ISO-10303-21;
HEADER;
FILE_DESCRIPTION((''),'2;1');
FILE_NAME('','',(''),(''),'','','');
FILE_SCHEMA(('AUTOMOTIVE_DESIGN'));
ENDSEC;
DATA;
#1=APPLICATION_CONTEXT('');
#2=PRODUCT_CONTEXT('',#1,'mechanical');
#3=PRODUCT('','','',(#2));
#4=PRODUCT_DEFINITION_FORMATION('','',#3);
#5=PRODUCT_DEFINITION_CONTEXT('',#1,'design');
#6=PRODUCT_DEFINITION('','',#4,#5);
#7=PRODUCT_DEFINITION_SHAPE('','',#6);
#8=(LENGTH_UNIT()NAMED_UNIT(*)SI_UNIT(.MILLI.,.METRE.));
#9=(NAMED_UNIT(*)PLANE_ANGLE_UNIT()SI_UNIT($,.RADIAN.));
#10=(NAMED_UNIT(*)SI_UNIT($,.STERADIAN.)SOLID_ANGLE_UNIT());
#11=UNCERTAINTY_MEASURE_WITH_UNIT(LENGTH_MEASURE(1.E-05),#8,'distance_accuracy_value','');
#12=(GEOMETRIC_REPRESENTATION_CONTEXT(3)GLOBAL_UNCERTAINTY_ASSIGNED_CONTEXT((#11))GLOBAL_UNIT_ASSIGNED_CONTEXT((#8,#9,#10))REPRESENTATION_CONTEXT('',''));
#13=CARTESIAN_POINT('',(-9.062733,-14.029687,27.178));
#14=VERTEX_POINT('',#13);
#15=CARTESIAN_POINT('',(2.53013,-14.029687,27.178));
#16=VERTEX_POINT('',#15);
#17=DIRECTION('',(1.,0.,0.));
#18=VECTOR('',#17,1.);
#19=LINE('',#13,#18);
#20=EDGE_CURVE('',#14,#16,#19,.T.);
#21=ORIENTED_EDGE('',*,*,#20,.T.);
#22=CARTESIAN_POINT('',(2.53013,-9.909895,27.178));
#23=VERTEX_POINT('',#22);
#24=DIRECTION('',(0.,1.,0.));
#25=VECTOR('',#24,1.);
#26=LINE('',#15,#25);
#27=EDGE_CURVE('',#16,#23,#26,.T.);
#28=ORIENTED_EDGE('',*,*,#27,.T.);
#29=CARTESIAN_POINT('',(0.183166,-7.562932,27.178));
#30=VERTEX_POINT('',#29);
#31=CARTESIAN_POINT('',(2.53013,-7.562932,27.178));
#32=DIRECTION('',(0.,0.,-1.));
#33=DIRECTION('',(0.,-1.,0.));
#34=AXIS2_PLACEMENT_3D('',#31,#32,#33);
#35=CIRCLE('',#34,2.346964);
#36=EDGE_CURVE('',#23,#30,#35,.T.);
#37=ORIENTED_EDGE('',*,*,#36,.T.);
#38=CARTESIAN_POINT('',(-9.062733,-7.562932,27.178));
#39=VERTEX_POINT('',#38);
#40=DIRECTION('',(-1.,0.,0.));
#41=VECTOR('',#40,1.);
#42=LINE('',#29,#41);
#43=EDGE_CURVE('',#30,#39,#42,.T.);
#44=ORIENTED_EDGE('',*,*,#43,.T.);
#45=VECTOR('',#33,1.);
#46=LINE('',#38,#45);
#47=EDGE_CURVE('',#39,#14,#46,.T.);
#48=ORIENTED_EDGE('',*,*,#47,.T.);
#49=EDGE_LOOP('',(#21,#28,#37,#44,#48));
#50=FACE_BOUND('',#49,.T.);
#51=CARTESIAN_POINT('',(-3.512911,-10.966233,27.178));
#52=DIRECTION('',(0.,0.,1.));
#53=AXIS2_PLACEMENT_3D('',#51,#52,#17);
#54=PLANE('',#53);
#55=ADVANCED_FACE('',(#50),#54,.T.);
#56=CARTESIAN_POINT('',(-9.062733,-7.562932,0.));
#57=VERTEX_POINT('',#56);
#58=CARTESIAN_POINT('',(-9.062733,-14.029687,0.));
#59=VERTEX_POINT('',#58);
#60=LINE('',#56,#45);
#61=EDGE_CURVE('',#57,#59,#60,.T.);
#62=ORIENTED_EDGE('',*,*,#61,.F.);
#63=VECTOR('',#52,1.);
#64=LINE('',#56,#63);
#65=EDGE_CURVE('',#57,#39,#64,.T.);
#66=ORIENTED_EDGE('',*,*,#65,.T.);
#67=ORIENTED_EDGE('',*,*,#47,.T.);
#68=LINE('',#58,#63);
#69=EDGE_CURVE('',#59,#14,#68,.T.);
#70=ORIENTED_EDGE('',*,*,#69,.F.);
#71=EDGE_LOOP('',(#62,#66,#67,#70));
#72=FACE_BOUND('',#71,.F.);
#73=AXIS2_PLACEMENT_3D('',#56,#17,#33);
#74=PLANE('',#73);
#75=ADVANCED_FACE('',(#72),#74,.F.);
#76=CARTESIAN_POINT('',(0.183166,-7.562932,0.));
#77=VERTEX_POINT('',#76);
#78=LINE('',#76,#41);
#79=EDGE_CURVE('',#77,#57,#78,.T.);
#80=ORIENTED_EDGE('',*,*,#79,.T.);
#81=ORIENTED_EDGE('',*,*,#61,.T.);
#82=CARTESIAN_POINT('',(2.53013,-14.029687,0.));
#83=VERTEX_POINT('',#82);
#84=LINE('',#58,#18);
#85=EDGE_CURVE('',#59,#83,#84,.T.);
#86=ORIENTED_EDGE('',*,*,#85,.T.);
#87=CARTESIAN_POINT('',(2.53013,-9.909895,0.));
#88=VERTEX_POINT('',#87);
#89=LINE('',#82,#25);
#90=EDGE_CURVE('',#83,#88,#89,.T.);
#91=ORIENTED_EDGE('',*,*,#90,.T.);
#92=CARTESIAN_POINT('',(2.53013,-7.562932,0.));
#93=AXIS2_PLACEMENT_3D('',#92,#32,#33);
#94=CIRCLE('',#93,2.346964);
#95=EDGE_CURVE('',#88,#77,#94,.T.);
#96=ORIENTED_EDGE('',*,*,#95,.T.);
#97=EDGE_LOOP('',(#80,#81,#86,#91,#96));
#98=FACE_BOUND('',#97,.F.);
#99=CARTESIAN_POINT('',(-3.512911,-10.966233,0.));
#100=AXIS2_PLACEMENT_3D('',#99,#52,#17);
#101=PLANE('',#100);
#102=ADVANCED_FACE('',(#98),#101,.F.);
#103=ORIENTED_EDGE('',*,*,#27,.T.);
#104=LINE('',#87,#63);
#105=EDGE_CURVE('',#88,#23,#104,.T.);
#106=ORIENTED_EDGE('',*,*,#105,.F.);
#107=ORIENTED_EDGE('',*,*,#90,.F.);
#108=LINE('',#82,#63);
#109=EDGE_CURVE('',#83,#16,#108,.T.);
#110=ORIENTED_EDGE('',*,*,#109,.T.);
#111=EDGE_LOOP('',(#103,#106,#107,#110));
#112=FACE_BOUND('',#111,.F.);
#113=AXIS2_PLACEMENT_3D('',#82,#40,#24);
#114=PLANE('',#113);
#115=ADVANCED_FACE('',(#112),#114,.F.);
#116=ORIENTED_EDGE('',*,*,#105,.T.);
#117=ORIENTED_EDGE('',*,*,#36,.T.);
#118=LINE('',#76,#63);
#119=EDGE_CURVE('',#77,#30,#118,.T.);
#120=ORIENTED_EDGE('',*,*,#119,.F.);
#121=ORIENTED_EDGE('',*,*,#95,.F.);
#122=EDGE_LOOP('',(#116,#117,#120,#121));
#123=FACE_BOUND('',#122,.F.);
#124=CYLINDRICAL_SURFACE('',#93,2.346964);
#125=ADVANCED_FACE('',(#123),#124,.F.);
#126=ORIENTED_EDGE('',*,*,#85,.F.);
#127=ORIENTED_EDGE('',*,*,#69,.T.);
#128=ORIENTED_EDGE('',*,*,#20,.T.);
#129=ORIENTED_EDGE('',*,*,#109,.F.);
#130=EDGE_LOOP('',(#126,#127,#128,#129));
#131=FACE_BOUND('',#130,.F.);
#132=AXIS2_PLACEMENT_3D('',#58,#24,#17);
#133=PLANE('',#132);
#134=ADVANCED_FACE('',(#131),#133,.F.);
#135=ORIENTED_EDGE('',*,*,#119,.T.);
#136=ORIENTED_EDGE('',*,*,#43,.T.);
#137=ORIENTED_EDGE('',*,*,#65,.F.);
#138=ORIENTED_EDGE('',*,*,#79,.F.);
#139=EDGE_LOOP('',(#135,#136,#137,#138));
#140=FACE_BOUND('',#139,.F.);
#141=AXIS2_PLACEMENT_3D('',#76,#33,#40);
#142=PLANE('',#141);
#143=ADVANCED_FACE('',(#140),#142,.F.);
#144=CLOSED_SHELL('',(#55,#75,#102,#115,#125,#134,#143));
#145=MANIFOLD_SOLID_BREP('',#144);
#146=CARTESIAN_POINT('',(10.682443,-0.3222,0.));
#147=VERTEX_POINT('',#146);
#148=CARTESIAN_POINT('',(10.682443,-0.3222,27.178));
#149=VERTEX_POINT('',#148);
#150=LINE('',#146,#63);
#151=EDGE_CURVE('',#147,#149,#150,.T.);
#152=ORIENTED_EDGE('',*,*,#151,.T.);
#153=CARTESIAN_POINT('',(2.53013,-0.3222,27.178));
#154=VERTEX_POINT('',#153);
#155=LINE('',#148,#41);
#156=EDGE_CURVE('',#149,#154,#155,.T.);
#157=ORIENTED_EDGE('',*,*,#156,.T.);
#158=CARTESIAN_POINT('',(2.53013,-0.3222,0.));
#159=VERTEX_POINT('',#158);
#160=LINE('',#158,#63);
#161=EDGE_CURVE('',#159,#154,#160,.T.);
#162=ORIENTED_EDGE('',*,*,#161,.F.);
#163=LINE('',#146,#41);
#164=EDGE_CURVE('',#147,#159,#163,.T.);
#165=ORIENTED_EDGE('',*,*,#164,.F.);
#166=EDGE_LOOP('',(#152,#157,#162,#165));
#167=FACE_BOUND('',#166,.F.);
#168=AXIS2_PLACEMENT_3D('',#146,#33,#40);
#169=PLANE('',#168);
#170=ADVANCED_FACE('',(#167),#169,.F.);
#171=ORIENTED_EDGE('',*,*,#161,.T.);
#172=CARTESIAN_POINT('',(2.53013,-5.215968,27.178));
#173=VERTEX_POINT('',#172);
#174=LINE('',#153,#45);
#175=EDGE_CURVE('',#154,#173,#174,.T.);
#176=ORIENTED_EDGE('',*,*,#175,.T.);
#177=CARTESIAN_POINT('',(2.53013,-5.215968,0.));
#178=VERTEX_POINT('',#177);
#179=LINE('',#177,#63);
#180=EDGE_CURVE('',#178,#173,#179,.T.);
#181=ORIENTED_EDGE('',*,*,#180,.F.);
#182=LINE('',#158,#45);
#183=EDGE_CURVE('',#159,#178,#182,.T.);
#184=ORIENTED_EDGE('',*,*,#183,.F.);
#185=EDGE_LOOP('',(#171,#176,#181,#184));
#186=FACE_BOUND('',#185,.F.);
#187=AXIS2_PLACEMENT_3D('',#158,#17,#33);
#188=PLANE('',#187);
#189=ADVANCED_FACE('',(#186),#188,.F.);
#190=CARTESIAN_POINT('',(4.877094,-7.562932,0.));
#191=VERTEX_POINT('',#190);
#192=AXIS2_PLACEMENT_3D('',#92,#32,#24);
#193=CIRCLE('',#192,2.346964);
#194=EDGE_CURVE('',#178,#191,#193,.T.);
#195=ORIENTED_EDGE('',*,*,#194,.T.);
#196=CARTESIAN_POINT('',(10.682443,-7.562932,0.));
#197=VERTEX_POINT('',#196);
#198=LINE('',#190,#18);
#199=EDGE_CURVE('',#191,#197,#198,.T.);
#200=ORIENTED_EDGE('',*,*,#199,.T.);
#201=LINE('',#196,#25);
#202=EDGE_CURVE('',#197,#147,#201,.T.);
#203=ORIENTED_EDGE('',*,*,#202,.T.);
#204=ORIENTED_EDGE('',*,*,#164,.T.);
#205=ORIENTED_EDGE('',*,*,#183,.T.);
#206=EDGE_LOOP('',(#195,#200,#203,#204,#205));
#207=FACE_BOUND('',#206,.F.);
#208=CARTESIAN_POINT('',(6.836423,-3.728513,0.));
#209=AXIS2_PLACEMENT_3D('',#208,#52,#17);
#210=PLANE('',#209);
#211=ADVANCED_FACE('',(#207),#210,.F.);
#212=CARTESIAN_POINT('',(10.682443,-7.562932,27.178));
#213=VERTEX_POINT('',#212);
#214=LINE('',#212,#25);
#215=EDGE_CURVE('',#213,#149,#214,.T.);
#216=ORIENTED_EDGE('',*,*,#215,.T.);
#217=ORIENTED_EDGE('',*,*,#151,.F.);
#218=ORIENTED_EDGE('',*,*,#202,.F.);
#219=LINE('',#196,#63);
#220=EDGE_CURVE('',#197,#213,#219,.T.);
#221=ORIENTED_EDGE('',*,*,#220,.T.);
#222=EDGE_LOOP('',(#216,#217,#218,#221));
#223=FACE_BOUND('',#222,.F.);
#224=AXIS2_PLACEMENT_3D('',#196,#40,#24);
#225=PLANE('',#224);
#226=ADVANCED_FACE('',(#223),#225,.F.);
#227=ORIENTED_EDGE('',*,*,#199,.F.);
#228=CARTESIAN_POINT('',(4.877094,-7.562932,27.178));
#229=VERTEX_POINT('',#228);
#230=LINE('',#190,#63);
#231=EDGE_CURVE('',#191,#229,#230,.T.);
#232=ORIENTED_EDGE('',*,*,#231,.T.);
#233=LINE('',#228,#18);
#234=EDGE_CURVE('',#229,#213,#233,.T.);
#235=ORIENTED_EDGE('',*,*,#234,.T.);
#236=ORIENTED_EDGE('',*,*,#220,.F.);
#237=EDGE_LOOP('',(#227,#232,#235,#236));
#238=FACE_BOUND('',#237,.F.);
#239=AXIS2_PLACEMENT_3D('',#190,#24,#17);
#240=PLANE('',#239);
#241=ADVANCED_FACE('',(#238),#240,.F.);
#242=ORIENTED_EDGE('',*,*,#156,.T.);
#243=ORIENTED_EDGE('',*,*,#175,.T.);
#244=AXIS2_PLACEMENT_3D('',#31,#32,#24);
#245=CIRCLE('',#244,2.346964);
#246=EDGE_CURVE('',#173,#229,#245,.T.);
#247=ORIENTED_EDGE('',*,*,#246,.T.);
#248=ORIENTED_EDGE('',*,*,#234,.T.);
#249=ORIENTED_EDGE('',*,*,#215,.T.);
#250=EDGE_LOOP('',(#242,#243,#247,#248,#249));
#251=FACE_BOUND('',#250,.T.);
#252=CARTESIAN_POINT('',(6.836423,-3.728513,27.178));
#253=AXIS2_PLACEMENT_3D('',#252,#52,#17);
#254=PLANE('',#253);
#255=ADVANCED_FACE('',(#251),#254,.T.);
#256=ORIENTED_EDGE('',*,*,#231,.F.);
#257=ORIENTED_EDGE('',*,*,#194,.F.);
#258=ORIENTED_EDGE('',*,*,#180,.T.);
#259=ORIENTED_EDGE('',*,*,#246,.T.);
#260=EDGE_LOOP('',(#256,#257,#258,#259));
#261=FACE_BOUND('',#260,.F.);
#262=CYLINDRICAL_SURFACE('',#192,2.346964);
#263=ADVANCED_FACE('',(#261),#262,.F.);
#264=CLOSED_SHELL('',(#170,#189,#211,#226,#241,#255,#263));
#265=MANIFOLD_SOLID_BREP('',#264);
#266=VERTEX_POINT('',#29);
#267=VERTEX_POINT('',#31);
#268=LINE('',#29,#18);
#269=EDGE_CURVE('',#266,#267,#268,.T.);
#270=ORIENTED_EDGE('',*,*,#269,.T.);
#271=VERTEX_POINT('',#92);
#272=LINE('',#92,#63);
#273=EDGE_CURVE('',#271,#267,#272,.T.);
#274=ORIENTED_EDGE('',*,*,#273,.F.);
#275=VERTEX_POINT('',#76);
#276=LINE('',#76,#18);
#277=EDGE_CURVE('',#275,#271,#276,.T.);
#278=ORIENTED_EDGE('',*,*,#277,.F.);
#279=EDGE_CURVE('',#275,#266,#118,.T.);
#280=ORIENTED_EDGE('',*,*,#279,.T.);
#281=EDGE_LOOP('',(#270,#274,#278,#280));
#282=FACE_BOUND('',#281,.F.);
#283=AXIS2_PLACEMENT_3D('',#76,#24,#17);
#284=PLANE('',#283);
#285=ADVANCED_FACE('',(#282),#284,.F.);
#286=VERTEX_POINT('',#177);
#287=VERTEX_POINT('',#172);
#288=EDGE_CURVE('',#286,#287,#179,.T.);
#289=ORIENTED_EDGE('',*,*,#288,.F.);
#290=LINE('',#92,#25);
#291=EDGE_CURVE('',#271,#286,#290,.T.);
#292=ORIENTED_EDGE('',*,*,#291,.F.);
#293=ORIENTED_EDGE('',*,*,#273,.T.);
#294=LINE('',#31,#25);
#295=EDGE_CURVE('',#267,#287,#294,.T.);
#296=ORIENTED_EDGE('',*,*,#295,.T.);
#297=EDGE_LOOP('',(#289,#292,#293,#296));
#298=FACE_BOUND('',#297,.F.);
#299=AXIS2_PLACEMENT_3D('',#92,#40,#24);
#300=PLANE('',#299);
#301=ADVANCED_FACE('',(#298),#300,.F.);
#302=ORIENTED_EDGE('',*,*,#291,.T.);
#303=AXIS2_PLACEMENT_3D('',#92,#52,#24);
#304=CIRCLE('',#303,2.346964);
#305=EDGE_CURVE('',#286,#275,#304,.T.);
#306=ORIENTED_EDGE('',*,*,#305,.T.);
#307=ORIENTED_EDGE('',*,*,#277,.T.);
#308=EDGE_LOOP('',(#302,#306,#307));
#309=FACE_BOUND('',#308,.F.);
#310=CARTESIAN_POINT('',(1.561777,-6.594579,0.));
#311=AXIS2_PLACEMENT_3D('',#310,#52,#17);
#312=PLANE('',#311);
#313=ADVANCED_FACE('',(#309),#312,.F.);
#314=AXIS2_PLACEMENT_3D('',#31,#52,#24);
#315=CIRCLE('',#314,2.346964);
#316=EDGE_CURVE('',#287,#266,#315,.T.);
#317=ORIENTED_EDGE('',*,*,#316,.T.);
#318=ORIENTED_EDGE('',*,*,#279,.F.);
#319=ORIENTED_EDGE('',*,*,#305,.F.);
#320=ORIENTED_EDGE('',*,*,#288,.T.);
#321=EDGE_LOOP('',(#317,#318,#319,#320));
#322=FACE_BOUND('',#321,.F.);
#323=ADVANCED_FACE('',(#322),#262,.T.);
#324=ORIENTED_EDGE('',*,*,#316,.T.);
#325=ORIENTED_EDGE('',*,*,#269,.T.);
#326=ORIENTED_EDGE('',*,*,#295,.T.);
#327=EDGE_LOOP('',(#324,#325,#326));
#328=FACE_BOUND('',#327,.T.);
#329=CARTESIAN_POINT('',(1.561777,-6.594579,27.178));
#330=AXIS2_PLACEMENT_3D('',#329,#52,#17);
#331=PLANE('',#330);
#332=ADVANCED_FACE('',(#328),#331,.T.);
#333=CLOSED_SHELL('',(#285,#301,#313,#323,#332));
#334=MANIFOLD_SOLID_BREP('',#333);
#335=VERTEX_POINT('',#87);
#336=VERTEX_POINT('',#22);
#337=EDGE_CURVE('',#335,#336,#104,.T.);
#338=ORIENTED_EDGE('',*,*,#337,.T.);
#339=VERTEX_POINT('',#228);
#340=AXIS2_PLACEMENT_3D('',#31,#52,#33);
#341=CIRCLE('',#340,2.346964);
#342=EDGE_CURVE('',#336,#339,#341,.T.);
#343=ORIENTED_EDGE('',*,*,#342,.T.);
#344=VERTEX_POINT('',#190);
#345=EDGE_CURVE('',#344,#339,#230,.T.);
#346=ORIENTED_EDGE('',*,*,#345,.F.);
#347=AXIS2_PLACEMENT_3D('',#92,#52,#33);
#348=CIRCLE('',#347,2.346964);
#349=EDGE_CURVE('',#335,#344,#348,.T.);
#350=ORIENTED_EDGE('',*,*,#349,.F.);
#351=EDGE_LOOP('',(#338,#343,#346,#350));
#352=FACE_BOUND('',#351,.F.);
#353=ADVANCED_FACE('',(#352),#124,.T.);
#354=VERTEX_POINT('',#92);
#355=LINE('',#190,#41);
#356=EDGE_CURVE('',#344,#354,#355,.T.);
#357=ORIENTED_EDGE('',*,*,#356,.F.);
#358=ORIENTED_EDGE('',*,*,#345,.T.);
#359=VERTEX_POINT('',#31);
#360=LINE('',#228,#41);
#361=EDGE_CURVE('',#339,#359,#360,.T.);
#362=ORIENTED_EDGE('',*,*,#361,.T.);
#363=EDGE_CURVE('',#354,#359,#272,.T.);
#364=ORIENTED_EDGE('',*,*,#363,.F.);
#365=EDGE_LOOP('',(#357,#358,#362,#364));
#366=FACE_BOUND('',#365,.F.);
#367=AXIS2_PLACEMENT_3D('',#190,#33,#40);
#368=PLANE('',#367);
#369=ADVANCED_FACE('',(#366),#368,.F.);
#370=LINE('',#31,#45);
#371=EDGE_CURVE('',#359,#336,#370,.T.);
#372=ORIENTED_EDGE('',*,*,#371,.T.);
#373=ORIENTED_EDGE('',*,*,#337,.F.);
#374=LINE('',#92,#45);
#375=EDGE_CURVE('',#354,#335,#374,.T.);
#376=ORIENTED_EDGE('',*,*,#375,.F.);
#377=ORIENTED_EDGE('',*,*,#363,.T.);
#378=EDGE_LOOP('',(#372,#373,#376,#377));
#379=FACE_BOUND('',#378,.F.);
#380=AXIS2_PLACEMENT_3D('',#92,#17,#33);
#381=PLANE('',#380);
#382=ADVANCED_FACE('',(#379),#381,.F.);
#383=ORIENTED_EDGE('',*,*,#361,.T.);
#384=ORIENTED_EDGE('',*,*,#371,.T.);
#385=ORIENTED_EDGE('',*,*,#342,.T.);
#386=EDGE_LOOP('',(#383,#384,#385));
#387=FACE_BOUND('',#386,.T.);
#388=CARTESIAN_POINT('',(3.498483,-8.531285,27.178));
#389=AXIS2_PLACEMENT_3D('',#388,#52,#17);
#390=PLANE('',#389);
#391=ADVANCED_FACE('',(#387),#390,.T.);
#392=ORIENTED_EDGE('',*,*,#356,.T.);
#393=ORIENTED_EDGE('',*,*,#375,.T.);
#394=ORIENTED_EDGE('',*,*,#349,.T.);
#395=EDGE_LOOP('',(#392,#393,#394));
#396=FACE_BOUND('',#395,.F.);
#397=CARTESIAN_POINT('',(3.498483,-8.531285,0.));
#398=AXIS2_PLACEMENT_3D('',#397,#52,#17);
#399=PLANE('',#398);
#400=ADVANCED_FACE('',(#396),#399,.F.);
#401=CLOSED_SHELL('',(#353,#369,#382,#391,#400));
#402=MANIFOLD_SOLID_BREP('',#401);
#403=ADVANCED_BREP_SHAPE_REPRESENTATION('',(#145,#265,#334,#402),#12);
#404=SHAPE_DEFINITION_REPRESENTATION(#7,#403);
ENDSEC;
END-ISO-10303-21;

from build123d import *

# Parameters (mm, degrees)
F1_DEPTH = 27.178


with BuildPart() as f1:
    # F0 (on Top) → F1 (new body)
    with BuildSketch(Plane.XY):
        with BuildLine():
            Line((2.5301300921, -0.3222003579), (2.5301300921, -5.2159677871))
            ThreePointArc((2.5301300921, -5.2159677871), (4.1896841385, -5.9033775806), (4.877093932, -7.562931627))
            Line((4.877093932, -7.562931627), (10.6824431568, -7.562931627))
            Line((10.6824431568, -7.562931627), (10.6824431568, -0.3222003579))
            Line((10.6824431568, -0.3222003579), (2.5301300921, -0.3222003579))
        make_face()
    extrude(amount=F1_DEPTH)


with BuildPart() as f1b:
    # F0 (on Top) → F1, piece 2 (new body)
    with BuildSketch(Plane.XY):
        with BuildLine():
            Line((0.1831662521, -7.562931627), (-9.0627325699, -7.562931627))
            Line((-9.0627325699, -7.562931627), (-9.0627325699, -14.0296872705))
            Line((-9.0627325699, -14.0296872705), (2.5301300921, -14.0296872705))
            Line((2.5301300921, -14.0296872705), (2.5301300921, -9.909895467))
            ThreePointArc((2.5301300921, -9.909895467), (0.8705760456, -9.2224856734), (0.1831662521, -7.562931627))
        make_face()
    extrude(amount=F1_DEPTH)


with BuildPart() as f1c:
    # F0 (on Top) → F1, piece 3 (new body)
    with BuildSketch(Plane.XY):
        with BuildLine():
            Line((4.877093932, -7.562931627), (2.5301300921, -7.562931627))
            Line((2.5301300921, -7.562931627), (2.5301300921, -9.909895467))
            ThreePointArc((2.5301300921, -9.909895467), (4.1896841385, -9.2224856734), (4.877093932, -7.562931627))
        make_face()
    extrude(amount=F1_DEPTH)


with BuildPart() as f1d:
    # F0 (on Top) → F1, piece 4 (new body)
    with BuildSketch(Plane.XY):
        with BuildLine():
            ThreePointArc((2.5301300921, -5.2159677871), (0.8705760456, -5.9033775806), (0.1831662521, -7.562931627))
            Line((0.1831662521, -7.562931627), (2.5301300921, -7.562931627))
            Line((2.5301300921, -7.562931627), (2.5301300921, -5.2159677871))
        make_face()
    extrude(amount=F1_DEPTH)


solid = Compound([f1.part, f1b.part, f1c.part, f1d.part])
